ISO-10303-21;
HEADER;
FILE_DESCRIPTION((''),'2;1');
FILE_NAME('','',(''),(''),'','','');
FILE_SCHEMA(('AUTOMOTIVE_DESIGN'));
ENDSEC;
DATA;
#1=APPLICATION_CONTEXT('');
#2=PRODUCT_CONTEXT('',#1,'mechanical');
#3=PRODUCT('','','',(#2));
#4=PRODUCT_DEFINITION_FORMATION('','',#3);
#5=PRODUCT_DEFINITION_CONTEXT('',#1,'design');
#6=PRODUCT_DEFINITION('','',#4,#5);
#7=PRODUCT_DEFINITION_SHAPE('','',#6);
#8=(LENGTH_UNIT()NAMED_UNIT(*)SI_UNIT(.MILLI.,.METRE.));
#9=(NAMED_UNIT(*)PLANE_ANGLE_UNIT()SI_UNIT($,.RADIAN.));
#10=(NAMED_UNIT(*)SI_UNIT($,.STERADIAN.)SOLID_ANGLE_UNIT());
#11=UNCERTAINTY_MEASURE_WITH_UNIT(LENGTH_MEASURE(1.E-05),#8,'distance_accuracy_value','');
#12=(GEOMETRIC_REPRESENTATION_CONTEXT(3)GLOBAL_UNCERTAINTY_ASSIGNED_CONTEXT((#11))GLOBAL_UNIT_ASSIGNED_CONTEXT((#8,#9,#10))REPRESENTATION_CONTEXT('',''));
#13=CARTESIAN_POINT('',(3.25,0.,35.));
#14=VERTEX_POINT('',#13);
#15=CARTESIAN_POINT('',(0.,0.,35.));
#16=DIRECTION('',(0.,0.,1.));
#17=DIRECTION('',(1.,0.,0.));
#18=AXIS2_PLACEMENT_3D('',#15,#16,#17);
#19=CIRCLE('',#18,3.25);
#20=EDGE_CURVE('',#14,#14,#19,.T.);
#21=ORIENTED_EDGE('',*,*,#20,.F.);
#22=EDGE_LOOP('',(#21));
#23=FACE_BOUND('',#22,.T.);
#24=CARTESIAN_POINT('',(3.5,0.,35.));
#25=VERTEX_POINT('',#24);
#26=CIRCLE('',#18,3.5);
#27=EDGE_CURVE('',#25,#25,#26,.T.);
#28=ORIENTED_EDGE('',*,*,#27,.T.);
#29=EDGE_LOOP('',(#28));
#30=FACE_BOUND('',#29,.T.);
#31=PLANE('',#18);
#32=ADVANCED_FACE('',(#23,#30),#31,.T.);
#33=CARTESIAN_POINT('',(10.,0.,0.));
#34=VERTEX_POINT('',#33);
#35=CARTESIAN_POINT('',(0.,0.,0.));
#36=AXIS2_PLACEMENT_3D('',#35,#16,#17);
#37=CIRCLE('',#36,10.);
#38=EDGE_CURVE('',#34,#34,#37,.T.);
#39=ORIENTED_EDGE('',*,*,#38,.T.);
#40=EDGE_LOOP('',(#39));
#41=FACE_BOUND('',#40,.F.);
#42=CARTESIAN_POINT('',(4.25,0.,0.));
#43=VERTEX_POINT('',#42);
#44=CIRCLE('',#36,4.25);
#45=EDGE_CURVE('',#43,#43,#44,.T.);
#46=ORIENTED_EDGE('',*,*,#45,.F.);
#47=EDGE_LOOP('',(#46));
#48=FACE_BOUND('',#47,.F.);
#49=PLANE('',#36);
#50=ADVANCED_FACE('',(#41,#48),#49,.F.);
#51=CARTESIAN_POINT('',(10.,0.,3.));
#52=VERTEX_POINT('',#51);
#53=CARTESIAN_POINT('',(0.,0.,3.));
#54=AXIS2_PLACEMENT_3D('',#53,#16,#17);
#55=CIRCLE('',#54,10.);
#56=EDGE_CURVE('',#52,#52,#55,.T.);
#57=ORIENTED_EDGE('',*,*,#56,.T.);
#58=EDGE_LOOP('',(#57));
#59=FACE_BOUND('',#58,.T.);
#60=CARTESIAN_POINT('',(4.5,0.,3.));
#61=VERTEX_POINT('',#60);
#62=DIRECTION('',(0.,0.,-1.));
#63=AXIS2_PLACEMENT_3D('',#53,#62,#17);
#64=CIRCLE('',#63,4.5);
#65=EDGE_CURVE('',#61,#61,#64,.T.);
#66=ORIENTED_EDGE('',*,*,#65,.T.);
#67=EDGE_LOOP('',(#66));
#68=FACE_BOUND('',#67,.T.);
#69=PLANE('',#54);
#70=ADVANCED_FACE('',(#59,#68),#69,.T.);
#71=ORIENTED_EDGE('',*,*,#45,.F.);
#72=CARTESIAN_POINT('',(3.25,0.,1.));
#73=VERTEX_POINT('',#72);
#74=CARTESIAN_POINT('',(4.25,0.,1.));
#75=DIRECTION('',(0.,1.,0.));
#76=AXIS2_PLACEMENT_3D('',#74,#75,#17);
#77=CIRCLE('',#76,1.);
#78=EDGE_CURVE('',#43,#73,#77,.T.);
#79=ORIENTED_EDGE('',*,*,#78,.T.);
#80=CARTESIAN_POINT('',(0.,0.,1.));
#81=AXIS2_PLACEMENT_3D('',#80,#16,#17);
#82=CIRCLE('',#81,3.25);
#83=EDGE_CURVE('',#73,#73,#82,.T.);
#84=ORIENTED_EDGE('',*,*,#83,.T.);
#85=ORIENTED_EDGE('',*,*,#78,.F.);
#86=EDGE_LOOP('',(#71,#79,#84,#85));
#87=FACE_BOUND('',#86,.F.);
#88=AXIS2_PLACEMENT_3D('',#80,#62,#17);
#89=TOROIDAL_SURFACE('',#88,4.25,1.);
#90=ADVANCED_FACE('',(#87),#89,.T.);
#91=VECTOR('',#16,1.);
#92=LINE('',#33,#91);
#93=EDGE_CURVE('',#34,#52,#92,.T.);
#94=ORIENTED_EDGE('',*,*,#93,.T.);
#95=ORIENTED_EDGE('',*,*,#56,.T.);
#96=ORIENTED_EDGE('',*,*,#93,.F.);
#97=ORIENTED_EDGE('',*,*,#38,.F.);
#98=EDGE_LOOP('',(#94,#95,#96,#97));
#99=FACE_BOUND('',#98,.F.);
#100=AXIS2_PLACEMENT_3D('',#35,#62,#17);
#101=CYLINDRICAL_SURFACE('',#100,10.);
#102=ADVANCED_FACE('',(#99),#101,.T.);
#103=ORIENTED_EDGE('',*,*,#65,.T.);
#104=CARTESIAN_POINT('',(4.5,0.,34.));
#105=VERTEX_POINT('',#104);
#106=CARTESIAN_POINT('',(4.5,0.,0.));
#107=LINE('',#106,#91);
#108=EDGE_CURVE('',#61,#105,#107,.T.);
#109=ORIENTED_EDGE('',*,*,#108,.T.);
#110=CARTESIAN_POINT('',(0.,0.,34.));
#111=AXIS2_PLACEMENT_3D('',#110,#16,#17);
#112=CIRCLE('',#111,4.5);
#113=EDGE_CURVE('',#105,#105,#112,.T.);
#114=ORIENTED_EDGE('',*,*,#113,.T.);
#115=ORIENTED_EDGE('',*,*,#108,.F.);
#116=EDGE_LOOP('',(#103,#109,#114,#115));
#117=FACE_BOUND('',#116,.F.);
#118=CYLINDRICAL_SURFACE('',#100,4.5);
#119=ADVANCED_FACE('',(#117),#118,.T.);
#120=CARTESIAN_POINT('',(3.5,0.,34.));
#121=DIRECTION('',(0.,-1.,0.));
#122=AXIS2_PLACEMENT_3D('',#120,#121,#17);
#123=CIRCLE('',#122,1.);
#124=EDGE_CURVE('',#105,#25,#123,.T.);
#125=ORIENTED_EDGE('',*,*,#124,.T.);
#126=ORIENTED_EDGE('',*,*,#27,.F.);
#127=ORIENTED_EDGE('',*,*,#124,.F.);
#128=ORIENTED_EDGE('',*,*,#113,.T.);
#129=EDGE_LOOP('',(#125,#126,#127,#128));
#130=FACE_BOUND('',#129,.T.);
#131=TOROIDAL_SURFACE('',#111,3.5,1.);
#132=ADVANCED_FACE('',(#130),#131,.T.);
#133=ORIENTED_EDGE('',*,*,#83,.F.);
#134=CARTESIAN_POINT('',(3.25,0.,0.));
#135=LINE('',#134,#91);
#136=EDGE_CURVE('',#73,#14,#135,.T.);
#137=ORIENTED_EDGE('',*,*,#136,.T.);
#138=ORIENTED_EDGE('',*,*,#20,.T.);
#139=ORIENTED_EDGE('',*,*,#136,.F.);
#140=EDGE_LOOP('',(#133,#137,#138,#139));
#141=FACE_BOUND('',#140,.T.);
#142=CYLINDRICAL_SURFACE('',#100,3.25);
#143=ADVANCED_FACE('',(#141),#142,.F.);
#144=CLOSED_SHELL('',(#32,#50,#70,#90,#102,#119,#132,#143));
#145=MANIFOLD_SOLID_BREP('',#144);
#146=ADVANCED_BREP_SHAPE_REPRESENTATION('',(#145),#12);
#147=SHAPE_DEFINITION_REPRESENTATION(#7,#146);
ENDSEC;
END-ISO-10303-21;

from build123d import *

# Parameters (mm, degrees)
F0_R     = 10
F0_R_2   = 4.5
F0_R_3   = 3.25
F1_DEPTH = 3
F2_DEPTH = 35
F3_R     = 1


with BuildPart() as f1:
    # F0 (on Top) → F1 (new body)
    with BuildSketch(Plane.XY):
        Circle(F0_R)
        Circle(F0_R_2, mode=Mode.SUBTRACT)
        Circle(F0_R_2)
        Circle(F0_R_3, mode=Mode.SUBTRACT)
    extrude(amount=F1_DEPTH)

    # F0 (on Top) → F2 (join)
    with BuildSketch(Plane.XY):
        Circle(F0_R_2)
        Circle(F0_R_3, mode=Mode.SUBTRACT)
    extrude(amount=F2_DEPTH)

    # F3
    f3_edges = [f1.edges().sort_by_distance(p)[0] for p in [
        (-4.5, 0, 35),
        (-3.25, 0, 0),
    ]]
    fillet(f3_edges, radius=F3_R)


solid = f1.part
